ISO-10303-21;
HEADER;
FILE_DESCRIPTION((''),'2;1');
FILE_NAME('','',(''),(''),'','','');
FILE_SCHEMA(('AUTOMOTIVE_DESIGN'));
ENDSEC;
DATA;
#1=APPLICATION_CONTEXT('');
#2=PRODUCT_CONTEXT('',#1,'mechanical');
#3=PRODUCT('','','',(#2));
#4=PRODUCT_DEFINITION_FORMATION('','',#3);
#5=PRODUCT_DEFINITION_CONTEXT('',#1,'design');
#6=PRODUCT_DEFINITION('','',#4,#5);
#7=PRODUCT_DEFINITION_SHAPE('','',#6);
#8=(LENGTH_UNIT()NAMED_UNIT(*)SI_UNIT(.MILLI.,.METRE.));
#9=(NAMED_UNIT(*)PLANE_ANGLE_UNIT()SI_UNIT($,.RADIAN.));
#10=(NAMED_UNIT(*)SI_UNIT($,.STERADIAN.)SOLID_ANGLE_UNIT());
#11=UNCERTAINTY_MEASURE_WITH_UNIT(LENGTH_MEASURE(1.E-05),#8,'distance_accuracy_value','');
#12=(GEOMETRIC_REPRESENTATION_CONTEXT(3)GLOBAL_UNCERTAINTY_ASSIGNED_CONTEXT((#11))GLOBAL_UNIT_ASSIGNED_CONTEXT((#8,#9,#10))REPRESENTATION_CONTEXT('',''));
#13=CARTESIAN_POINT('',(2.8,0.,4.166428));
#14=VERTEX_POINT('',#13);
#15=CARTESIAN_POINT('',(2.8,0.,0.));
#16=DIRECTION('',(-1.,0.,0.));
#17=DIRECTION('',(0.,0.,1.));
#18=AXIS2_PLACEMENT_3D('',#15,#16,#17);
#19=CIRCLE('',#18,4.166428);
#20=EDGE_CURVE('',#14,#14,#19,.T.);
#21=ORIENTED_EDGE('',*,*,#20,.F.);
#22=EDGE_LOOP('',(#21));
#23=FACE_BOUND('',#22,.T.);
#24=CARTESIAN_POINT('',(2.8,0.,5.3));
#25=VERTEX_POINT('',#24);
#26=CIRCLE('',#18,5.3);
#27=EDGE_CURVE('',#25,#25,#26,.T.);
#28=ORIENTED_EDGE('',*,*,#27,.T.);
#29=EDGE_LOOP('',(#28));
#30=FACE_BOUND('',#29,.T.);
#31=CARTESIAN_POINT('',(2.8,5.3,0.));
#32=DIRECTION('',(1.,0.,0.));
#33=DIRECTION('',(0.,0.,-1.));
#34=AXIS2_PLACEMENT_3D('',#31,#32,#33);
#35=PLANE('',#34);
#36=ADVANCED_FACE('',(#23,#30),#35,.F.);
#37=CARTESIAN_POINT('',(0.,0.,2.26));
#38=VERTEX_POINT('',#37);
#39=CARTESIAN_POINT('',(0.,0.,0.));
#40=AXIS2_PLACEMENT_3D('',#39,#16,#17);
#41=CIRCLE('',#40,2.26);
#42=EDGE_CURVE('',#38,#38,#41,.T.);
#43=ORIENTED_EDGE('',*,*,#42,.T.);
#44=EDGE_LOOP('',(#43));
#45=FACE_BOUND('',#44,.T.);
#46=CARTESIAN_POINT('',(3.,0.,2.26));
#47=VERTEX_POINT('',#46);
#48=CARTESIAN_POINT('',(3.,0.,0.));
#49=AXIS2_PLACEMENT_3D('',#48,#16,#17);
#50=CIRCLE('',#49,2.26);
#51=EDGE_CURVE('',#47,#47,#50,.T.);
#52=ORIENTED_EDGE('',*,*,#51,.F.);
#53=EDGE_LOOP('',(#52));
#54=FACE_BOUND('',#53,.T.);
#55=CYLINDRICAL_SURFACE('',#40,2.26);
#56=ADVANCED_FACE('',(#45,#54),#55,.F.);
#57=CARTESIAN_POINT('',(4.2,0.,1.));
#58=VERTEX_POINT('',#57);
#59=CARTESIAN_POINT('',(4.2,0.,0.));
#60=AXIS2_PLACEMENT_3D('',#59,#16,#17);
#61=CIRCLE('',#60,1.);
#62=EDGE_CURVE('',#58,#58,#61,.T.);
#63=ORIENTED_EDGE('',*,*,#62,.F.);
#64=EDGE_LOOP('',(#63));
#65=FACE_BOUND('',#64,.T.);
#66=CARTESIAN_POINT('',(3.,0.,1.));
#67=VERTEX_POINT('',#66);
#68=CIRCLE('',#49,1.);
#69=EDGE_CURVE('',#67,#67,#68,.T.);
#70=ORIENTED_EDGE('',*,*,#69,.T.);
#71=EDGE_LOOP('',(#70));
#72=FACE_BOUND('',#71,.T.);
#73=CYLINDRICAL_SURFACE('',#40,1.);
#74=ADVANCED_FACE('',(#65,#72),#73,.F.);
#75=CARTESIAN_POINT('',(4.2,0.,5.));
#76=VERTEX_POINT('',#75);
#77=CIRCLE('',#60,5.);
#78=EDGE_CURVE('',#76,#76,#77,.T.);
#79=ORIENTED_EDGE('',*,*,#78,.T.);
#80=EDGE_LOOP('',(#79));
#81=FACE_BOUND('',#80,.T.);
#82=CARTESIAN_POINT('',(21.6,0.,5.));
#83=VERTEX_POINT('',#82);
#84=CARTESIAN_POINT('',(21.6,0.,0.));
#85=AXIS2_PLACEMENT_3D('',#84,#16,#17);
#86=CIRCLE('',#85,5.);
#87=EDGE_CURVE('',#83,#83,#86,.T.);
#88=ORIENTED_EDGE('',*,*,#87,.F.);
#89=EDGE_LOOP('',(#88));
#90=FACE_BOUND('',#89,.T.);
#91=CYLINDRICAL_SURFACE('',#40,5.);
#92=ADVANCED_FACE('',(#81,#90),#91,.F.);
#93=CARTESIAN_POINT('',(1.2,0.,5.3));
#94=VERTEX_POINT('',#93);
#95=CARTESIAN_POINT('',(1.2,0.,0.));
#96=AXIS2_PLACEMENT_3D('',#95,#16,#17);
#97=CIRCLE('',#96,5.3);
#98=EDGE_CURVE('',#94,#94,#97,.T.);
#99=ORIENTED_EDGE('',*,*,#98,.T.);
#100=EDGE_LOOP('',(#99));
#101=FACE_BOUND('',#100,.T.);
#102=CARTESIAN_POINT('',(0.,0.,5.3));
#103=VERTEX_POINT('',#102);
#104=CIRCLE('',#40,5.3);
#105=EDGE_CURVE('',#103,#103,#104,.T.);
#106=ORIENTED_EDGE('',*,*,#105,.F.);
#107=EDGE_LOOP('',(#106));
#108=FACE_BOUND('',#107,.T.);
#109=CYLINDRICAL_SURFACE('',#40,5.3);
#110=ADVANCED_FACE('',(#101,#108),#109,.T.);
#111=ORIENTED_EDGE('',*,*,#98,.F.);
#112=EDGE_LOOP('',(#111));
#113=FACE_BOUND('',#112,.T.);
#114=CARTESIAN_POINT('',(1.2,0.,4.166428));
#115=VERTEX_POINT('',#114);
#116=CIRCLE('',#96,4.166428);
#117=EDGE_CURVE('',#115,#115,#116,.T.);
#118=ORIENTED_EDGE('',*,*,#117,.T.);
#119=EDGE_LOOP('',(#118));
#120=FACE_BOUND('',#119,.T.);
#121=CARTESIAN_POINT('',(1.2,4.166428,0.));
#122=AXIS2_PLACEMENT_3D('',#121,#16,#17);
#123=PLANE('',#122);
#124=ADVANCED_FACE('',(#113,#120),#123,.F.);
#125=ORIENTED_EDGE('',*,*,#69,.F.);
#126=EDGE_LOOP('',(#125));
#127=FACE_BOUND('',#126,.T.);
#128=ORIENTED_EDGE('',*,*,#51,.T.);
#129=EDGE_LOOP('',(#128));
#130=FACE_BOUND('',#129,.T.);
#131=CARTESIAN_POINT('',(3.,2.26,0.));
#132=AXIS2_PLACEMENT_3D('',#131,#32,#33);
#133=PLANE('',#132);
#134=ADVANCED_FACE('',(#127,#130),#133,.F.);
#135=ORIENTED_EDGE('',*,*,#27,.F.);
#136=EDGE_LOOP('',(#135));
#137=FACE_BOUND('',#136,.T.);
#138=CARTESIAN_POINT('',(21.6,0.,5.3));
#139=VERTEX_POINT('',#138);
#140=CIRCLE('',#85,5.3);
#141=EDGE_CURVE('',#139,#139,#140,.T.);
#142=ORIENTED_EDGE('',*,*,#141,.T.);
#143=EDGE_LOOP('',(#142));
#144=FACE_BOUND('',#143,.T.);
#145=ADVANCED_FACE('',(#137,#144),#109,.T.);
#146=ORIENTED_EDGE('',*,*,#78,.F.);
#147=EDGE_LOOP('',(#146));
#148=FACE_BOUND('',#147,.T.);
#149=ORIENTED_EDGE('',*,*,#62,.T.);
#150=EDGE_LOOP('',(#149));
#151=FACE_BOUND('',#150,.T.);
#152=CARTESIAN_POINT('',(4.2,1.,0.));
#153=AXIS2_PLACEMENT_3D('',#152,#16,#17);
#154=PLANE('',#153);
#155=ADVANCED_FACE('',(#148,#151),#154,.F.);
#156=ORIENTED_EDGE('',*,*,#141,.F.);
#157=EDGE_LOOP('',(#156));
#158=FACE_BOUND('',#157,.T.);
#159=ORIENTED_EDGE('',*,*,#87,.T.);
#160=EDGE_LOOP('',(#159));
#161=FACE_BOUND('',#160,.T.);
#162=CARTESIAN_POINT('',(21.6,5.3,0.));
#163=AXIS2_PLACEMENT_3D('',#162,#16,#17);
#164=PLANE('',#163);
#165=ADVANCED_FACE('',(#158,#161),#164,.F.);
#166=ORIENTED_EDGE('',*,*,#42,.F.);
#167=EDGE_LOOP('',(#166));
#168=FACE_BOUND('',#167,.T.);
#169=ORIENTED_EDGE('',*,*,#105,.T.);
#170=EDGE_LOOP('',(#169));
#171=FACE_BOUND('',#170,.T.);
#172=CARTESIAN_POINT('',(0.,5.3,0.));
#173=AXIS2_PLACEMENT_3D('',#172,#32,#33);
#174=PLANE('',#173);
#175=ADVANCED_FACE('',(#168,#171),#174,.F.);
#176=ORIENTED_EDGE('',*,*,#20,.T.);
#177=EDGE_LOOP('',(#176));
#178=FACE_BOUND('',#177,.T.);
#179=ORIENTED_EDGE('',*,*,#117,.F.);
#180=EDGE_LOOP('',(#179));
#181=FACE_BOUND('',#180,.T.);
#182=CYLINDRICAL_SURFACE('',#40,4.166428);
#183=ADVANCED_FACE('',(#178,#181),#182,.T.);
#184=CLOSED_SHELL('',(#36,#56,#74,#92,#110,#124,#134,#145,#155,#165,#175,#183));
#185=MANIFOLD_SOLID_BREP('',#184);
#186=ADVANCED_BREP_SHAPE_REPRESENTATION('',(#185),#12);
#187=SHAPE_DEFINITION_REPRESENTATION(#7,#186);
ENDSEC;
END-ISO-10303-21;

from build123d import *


with BuildPart() as part:
    # Esboço1 → Revolução1 (revolve)
    with BuildSketch(Plane.XY, mode=Mode.PRIVATE) as revolu_o1_sk:
        Polygon((4.2, 1), (4.2, 5), (21.6, 5), (21.6, 5.3), (2.8, 5.3), (2.8, 4.166428494), (1.2, 4.166428494), (1.2, 5.3), (0, 5.3), (0, 2.26), (3, 2.26), (3, 1), align=None)
    revolve(revolu_o1_sk.sketch.rotate(Axis((0, 0, 0), (1, 0, 0)), 90), axis=Axis((0, 0, 0), (1, 0, 0)))


solid = part.part
